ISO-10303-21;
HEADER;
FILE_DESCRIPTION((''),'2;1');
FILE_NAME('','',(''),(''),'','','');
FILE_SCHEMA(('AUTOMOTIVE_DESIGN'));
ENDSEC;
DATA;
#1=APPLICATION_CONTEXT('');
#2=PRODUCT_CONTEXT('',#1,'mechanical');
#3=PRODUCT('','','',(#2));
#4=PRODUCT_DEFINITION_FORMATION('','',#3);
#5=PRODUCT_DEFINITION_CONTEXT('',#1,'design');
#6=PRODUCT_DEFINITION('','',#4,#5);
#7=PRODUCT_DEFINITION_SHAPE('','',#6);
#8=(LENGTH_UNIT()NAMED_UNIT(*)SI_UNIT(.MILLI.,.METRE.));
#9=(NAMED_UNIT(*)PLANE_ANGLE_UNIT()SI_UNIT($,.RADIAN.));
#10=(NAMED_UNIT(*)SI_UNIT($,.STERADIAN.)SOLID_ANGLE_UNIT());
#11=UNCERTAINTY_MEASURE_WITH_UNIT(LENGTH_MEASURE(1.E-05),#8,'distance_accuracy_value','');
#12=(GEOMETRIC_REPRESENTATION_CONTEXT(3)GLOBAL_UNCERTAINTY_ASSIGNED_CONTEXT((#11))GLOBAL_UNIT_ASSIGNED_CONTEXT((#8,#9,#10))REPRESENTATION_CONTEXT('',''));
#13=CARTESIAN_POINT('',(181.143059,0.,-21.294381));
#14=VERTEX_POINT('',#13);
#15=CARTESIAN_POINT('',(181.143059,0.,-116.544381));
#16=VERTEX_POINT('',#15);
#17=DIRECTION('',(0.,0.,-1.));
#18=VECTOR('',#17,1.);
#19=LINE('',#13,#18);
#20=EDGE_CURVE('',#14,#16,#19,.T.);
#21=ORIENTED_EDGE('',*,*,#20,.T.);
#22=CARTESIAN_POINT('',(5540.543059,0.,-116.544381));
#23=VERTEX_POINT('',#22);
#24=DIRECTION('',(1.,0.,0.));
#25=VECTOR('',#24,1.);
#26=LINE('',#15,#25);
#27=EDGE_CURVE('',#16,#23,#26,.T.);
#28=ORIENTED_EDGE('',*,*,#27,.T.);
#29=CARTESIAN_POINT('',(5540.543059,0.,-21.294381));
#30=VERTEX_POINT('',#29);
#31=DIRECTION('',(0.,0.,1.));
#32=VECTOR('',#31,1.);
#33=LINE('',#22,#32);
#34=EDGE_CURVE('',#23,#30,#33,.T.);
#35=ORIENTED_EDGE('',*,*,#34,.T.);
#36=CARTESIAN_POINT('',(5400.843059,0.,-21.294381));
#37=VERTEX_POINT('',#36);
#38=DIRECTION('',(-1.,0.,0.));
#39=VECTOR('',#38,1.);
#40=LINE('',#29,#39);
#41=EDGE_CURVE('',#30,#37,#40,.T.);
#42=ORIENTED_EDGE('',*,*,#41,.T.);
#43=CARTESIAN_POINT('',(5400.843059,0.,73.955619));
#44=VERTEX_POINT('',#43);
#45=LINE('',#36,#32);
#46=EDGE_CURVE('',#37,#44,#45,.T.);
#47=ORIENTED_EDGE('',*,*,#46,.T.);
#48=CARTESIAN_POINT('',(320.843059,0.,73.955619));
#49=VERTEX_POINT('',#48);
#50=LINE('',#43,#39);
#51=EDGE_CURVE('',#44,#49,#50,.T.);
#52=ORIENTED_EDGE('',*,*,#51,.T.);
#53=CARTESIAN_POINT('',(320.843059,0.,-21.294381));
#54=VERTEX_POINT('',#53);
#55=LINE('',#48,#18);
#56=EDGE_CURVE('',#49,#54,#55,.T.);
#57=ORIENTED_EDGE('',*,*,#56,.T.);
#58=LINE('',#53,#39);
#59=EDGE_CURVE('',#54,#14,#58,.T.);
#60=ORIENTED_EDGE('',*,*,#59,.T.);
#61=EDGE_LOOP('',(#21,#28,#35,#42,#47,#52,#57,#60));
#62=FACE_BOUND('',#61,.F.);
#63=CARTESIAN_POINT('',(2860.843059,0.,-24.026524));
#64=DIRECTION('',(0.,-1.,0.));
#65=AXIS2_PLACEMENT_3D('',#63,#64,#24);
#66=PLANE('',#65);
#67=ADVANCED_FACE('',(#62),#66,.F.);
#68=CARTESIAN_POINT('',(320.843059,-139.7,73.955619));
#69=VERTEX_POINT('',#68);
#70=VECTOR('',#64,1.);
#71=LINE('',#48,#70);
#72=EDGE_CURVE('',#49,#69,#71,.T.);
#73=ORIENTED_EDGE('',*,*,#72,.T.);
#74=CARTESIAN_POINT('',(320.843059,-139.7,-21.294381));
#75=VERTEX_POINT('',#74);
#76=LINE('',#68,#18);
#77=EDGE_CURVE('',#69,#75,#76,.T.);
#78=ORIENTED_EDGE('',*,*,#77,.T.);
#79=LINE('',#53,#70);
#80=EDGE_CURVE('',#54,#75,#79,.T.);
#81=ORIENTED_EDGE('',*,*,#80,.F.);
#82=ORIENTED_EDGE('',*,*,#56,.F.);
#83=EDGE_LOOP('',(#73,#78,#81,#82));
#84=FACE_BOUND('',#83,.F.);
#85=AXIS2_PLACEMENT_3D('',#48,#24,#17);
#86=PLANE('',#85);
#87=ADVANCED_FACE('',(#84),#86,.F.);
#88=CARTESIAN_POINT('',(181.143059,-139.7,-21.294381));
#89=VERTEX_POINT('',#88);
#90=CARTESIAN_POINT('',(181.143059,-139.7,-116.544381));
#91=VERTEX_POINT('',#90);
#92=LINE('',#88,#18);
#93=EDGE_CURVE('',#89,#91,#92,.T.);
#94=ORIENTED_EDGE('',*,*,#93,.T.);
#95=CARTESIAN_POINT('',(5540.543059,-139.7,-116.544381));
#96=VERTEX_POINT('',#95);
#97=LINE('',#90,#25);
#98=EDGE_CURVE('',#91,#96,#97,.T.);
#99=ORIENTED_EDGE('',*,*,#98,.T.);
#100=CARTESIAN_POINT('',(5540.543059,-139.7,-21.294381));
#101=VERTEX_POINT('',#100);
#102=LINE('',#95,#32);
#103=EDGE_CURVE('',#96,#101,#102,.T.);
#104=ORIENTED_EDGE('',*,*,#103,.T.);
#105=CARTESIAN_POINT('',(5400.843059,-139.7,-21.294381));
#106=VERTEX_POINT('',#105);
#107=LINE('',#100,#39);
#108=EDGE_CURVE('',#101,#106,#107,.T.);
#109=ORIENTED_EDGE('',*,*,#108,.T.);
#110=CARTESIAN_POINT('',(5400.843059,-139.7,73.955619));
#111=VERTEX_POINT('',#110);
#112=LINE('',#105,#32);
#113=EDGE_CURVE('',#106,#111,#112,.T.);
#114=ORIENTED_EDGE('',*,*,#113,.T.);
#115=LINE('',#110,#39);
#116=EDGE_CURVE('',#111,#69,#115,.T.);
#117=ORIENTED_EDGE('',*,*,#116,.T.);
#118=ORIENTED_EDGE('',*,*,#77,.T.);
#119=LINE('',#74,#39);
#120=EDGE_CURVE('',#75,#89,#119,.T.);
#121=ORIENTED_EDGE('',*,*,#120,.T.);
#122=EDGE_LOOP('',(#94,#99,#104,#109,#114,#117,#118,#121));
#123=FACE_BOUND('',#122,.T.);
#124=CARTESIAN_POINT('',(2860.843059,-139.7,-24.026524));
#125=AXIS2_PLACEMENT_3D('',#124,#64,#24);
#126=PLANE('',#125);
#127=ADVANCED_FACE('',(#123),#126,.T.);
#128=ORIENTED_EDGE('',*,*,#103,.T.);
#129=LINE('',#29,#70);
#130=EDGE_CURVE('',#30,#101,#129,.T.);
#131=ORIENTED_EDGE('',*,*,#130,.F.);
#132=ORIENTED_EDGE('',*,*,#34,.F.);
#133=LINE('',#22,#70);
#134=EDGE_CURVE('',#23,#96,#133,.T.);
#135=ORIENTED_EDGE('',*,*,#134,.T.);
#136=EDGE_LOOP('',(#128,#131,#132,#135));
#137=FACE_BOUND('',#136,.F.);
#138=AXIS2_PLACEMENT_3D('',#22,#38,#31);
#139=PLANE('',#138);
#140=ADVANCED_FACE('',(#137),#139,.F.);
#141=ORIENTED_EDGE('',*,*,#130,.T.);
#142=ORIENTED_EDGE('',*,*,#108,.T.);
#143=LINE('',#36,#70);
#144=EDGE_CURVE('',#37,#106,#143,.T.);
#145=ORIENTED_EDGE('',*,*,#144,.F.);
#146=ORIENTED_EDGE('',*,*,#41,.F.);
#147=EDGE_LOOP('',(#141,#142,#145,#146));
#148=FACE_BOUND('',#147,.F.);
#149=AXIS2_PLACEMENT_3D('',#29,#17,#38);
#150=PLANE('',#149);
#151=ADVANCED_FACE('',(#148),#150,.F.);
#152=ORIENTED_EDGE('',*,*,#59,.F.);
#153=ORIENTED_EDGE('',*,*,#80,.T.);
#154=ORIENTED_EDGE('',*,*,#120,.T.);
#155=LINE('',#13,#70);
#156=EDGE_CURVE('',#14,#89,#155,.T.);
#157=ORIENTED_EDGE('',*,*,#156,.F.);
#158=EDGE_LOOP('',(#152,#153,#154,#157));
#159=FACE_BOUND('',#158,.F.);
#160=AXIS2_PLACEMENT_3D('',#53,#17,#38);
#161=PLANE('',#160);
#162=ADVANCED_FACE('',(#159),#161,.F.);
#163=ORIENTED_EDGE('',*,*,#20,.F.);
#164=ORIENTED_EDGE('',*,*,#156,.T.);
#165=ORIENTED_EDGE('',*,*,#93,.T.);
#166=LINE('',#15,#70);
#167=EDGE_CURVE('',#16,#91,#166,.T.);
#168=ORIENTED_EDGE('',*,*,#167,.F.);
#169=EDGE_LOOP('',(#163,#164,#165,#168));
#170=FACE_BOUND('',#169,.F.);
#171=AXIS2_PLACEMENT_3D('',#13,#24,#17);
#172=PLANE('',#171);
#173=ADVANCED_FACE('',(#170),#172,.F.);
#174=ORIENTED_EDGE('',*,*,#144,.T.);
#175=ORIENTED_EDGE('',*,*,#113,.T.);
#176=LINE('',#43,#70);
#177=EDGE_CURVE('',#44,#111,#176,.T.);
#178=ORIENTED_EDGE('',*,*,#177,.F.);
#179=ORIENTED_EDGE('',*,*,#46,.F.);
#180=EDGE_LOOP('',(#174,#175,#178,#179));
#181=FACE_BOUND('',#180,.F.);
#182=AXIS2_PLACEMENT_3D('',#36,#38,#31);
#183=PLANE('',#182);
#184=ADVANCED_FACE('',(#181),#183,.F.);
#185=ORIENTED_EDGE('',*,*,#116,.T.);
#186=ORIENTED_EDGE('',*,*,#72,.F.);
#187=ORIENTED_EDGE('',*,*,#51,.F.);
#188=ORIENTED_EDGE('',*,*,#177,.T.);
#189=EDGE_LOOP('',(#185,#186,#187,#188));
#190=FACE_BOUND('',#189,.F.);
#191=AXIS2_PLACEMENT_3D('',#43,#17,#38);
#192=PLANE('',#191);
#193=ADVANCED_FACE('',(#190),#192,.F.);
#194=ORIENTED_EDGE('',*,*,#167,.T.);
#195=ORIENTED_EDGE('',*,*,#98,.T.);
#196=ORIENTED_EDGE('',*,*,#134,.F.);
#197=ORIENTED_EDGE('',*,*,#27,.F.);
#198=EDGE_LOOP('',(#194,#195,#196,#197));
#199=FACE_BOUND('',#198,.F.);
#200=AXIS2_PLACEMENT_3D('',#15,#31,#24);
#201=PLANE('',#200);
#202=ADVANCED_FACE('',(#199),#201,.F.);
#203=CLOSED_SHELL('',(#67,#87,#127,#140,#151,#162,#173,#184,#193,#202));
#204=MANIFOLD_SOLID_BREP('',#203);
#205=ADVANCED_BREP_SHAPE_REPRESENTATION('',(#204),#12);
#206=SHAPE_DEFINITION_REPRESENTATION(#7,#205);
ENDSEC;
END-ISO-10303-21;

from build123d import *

# Parameters (mm, degrees)
F0_W     = 139.7
F0_H     = 95.25
F1_DEPTH = 139.7


with BuildPart() as f1:
    # F0 (on Front) → F1 (new body)
    with BuildSketch(Plane.XZ):
        Polygon((181.143059, -21.294381), (181.143059, -116.544381), (2860.843059, -116.544381), (5540.543059, -116.544381), (5540.543059, -21.294381), (5400.843059, -21.294381), (5400.843059, 73.955619), (2930.693059, 73.955619), (2930.693059, -21.294381), (2790.993059, -21.294381), (2790.993059, 73.955619), (320.843059, 73.955619), (320.843059, -21.294381), align=None)
        with Locations((2860.843059, 26.330619)):
            Rectangle(F0_W, F0_H)
    extrude(amount=F1_DEPTH)


solid = f1.part
